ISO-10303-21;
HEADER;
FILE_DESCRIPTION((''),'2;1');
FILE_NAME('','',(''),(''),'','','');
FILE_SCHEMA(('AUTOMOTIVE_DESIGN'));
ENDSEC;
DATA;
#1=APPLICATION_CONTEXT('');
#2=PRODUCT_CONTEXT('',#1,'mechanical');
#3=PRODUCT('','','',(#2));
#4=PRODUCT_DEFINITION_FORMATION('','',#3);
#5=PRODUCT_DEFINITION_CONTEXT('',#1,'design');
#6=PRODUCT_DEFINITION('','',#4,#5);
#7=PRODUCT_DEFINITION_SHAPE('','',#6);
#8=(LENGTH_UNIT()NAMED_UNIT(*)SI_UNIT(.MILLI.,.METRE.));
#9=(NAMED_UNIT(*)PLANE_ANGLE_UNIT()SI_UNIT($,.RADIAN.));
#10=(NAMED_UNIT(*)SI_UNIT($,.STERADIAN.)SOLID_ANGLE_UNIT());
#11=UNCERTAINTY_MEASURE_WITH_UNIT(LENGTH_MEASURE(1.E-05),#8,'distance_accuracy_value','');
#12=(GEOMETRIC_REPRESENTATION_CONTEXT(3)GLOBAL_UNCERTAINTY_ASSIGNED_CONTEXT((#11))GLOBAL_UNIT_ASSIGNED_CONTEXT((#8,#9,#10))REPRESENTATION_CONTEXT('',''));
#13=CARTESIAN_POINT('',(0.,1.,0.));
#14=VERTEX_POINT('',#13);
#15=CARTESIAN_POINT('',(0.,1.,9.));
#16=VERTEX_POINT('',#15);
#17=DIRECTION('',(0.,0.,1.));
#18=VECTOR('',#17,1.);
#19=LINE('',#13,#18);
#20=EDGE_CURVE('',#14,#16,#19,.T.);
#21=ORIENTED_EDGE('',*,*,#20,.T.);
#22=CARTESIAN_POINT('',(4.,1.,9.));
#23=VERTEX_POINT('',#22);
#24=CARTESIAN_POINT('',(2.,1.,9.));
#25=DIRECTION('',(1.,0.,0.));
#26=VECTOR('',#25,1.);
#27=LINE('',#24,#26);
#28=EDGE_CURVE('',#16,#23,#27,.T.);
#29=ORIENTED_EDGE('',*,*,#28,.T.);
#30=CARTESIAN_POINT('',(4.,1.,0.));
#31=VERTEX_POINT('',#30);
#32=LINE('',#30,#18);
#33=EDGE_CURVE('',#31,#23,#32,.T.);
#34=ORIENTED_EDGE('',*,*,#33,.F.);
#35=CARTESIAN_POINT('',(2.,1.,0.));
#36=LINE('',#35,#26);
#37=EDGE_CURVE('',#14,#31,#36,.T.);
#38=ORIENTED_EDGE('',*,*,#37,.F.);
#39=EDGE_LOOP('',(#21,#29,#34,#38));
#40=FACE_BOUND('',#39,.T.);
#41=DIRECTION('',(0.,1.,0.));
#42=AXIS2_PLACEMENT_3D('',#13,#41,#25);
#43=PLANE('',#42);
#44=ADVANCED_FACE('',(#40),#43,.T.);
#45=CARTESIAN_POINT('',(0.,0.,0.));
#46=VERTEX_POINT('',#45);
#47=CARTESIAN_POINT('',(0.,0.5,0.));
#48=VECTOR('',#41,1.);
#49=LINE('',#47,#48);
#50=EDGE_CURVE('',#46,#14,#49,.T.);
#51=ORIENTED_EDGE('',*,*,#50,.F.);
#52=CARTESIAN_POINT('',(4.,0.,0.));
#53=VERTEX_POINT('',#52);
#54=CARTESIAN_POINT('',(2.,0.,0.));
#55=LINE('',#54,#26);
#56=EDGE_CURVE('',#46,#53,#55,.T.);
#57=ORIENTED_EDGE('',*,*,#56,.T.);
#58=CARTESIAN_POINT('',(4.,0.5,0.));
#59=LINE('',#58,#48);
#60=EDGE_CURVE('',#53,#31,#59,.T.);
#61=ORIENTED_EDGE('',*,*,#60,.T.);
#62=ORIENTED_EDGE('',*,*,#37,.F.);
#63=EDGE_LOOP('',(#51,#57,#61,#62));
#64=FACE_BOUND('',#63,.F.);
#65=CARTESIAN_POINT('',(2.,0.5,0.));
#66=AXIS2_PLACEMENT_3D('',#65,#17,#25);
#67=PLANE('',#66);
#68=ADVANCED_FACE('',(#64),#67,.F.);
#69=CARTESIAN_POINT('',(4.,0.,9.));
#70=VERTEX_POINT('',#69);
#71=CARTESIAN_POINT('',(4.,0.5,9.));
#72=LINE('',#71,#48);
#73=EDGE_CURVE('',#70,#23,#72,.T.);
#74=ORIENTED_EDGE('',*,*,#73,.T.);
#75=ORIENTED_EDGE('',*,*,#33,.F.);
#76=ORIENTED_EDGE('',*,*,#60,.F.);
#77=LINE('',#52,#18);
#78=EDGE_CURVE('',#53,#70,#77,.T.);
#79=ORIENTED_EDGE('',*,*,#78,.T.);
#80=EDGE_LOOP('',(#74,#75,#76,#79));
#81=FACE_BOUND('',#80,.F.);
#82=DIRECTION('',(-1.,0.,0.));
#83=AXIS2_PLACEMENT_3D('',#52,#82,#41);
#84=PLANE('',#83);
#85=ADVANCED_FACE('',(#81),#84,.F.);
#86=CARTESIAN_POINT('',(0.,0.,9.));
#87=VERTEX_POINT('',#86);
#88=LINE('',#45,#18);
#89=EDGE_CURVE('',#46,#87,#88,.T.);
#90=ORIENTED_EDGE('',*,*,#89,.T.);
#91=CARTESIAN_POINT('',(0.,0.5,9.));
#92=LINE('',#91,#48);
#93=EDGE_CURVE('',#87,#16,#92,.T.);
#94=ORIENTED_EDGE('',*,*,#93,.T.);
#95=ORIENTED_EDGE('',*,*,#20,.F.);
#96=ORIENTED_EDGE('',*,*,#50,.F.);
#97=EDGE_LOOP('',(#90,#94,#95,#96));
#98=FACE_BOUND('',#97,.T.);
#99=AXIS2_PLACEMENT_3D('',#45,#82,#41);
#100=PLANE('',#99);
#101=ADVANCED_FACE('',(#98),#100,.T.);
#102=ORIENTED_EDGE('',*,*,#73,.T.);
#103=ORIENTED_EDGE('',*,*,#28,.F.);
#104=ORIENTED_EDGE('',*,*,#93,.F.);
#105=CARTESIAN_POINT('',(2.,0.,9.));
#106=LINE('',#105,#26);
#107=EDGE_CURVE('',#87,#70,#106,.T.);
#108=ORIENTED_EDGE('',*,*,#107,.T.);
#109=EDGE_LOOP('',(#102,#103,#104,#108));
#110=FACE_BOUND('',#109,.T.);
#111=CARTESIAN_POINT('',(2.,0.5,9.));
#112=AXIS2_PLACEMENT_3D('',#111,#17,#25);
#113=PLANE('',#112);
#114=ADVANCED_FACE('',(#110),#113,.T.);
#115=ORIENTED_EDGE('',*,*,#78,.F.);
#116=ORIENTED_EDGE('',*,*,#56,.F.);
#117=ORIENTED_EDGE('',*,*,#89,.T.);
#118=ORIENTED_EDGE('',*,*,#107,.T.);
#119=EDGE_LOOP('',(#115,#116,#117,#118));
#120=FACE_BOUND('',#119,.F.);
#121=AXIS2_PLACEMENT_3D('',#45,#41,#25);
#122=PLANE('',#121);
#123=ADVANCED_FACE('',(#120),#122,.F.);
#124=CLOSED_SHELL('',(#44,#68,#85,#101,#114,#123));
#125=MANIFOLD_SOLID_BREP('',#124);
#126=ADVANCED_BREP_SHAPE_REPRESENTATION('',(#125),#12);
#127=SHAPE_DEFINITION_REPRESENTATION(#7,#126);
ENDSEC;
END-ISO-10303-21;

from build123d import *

# Parameters (mm, degrees)
BOX_W     = 4
BOX_H     = 1
BOX_DEPTH = 9


with BuildPart() as part:
    # Box → Box (new body)
    with BuildSketch(Plane.XY):
        with Locations((2, 0.5)):
            Rectangle(BOX_W, BOX_H)
    extrude(amount=BOX_DEPTH)


solid = part.part
